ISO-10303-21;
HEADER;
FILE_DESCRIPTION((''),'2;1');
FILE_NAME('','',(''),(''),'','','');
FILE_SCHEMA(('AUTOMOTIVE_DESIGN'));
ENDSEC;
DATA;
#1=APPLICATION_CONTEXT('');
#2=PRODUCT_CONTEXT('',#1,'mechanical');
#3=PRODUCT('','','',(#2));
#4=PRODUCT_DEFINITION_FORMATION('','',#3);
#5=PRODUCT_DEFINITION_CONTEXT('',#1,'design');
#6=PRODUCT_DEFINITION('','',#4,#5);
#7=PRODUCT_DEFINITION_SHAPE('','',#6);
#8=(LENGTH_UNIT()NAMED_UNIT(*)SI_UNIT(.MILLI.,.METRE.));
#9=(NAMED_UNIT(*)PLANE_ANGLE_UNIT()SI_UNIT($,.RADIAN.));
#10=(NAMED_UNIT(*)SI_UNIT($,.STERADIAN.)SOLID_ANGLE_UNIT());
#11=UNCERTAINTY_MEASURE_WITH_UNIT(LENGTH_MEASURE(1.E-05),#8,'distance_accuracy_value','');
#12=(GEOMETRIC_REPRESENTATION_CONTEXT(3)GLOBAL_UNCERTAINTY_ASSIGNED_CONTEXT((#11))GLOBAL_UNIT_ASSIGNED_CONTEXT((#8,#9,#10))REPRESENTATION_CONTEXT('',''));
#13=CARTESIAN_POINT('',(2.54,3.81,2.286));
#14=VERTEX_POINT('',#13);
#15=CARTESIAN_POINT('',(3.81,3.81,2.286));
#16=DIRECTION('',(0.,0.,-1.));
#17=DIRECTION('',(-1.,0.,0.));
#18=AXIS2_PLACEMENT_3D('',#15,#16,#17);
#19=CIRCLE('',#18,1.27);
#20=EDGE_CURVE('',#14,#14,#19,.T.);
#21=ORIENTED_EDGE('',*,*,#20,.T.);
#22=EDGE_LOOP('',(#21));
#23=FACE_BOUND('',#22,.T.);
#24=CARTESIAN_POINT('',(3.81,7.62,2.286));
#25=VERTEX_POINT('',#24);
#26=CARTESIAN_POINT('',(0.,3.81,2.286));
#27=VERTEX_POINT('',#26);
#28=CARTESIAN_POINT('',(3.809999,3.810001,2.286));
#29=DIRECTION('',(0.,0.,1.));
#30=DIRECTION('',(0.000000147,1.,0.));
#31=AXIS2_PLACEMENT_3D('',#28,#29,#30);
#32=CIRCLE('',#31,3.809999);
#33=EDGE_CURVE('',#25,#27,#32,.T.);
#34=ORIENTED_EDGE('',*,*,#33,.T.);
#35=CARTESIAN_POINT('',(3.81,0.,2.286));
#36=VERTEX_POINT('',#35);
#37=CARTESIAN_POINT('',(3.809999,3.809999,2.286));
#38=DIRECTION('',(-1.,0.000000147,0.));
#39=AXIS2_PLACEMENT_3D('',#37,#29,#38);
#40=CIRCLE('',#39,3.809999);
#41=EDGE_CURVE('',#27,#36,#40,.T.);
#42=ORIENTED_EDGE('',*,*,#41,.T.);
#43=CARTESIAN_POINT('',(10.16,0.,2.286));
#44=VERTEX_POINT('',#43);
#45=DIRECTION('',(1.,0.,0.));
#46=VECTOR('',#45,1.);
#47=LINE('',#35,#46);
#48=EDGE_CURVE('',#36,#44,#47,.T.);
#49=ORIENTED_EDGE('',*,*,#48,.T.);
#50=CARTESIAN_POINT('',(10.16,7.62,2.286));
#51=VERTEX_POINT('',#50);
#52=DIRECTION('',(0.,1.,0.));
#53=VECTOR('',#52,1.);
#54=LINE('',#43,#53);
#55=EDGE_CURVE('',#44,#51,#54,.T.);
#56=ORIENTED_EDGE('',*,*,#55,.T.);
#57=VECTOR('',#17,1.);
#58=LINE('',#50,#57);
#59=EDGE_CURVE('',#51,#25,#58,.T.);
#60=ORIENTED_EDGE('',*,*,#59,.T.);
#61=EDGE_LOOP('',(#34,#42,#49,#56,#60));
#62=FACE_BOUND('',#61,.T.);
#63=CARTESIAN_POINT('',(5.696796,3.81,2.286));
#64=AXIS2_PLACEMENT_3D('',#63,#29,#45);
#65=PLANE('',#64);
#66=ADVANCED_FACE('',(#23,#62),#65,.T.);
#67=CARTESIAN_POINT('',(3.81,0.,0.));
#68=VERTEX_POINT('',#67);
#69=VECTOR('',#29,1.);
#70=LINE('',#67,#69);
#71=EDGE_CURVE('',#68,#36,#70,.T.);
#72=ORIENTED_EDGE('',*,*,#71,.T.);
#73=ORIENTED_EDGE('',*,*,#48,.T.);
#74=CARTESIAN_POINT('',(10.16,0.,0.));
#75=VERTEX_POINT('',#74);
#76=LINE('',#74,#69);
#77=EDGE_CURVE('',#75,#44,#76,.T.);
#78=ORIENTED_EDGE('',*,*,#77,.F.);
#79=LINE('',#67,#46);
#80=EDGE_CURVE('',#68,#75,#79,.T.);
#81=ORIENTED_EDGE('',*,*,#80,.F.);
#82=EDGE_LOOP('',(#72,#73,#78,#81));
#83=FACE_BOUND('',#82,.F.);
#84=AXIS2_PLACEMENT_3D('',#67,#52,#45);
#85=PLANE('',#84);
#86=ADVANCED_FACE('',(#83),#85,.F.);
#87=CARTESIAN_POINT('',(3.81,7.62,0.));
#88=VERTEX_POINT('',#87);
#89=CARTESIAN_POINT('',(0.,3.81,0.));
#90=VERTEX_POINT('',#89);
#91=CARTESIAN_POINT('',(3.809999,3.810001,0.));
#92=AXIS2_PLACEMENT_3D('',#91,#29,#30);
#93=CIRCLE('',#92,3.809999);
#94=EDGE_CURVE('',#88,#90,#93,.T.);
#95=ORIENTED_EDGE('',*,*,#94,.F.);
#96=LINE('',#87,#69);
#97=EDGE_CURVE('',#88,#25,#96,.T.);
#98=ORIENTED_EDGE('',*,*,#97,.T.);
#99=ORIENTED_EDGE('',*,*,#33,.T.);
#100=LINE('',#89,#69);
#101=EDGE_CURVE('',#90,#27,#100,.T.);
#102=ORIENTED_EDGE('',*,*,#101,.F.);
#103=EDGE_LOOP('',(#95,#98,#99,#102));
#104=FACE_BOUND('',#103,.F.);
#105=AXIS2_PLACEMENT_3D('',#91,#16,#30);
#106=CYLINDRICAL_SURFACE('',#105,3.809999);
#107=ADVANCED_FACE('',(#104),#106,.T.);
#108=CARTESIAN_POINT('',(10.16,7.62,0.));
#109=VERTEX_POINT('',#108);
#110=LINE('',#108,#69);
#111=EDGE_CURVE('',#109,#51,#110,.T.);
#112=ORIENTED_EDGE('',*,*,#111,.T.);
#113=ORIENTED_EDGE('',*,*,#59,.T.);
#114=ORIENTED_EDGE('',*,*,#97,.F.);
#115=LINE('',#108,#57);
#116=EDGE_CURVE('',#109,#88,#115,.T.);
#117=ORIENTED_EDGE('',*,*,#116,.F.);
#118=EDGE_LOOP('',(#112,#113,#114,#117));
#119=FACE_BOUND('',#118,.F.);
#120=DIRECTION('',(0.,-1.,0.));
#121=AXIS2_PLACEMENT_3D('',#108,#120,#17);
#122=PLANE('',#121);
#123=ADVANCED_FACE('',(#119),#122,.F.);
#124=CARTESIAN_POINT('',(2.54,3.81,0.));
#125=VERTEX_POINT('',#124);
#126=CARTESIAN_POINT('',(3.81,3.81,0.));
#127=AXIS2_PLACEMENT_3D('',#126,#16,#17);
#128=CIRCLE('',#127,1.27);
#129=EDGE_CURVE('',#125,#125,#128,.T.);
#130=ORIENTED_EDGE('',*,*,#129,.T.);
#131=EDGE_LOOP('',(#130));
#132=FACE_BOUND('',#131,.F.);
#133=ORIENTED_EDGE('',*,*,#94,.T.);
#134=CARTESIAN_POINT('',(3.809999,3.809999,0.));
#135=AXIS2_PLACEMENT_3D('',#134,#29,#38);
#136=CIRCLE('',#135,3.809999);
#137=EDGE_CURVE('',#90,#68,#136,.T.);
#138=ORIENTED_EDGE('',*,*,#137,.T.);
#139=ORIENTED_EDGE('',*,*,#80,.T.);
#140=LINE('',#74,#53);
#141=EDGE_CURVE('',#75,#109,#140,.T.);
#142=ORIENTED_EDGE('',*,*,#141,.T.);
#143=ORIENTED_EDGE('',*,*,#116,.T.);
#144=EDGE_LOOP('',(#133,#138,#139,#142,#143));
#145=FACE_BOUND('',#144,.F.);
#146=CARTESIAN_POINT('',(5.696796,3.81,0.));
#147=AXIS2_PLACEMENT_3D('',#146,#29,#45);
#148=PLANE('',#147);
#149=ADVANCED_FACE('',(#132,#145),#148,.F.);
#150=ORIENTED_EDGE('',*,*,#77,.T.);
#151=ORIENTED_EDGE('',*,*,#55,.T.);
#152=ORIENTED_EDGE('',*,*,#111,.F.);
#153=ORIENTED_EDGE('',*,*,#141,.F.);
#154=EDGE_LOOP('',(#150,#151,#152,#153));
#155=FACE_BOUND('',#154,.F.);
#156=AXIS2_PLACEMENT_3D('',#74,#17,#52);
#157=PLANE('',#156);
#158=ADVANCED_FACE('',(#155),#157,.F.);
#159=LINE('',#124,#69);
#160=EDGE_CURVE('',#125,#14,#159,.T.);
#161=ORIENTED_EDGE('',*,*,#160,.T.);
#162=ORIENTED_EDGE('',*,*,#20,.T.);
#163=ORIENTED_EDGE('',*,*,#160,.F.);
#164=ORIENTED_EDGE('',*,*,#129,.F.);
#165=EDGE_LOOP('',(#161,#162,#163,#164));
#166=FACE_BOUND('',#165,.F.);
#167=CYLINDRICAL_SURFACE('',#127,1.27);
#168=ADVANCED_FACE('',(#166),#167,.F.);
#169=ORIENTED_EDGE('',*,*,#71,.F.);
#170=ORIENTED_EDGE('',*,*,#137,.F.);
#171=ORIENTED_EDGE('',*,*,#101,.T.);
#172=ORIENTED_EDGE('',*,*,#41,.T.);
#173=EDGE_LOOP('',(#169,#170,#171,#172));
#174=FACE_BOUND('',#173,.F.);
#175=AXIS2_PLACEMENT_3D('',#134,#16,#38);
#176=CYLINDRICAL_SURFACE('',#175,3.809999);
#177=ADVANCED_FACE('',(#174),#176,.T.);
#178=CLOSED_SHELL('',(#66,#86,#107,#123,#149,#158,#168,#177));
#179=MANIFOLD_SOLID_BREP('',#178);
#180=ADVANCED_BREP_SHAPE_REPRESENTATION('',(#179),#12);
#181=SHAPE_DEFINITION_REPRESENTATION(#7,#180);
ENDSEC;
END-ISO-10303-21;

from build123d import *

# Parameters (mm, degrees)
F1_DEPTH = 2.286


with BuildPart() as f1:
    # F0 (on Top) → F1 (new body)
    with BuildSketch(Plane.XY):
        with BuildLine():
            ThreePointArc((0, 3.81), (1.115923, 1.115923), (3.81, 0))
            Line((3.81, 0), (10.16, 0))
            Line((10.16, 0), (10.16, 7.62))
            Line((10.16, 7.62), (3.81, 7.62))
            ThreePointArc((3.81, 7.62), (1.115923, 6.504077), (0, 3.81))
        make_face()
        with BuildLine():
            ThreePointArc((5.08, 3.81), (3.81, 2.54), (2.54, 3.81))
            ThreePointArc((2.54, 3.81), (3.81, 5.08), (5.08, 3.81))
        make_face(mode=Mode.SUBTRACT)
    extrude(amount=F1_DEPTH)


solid = f1.part
